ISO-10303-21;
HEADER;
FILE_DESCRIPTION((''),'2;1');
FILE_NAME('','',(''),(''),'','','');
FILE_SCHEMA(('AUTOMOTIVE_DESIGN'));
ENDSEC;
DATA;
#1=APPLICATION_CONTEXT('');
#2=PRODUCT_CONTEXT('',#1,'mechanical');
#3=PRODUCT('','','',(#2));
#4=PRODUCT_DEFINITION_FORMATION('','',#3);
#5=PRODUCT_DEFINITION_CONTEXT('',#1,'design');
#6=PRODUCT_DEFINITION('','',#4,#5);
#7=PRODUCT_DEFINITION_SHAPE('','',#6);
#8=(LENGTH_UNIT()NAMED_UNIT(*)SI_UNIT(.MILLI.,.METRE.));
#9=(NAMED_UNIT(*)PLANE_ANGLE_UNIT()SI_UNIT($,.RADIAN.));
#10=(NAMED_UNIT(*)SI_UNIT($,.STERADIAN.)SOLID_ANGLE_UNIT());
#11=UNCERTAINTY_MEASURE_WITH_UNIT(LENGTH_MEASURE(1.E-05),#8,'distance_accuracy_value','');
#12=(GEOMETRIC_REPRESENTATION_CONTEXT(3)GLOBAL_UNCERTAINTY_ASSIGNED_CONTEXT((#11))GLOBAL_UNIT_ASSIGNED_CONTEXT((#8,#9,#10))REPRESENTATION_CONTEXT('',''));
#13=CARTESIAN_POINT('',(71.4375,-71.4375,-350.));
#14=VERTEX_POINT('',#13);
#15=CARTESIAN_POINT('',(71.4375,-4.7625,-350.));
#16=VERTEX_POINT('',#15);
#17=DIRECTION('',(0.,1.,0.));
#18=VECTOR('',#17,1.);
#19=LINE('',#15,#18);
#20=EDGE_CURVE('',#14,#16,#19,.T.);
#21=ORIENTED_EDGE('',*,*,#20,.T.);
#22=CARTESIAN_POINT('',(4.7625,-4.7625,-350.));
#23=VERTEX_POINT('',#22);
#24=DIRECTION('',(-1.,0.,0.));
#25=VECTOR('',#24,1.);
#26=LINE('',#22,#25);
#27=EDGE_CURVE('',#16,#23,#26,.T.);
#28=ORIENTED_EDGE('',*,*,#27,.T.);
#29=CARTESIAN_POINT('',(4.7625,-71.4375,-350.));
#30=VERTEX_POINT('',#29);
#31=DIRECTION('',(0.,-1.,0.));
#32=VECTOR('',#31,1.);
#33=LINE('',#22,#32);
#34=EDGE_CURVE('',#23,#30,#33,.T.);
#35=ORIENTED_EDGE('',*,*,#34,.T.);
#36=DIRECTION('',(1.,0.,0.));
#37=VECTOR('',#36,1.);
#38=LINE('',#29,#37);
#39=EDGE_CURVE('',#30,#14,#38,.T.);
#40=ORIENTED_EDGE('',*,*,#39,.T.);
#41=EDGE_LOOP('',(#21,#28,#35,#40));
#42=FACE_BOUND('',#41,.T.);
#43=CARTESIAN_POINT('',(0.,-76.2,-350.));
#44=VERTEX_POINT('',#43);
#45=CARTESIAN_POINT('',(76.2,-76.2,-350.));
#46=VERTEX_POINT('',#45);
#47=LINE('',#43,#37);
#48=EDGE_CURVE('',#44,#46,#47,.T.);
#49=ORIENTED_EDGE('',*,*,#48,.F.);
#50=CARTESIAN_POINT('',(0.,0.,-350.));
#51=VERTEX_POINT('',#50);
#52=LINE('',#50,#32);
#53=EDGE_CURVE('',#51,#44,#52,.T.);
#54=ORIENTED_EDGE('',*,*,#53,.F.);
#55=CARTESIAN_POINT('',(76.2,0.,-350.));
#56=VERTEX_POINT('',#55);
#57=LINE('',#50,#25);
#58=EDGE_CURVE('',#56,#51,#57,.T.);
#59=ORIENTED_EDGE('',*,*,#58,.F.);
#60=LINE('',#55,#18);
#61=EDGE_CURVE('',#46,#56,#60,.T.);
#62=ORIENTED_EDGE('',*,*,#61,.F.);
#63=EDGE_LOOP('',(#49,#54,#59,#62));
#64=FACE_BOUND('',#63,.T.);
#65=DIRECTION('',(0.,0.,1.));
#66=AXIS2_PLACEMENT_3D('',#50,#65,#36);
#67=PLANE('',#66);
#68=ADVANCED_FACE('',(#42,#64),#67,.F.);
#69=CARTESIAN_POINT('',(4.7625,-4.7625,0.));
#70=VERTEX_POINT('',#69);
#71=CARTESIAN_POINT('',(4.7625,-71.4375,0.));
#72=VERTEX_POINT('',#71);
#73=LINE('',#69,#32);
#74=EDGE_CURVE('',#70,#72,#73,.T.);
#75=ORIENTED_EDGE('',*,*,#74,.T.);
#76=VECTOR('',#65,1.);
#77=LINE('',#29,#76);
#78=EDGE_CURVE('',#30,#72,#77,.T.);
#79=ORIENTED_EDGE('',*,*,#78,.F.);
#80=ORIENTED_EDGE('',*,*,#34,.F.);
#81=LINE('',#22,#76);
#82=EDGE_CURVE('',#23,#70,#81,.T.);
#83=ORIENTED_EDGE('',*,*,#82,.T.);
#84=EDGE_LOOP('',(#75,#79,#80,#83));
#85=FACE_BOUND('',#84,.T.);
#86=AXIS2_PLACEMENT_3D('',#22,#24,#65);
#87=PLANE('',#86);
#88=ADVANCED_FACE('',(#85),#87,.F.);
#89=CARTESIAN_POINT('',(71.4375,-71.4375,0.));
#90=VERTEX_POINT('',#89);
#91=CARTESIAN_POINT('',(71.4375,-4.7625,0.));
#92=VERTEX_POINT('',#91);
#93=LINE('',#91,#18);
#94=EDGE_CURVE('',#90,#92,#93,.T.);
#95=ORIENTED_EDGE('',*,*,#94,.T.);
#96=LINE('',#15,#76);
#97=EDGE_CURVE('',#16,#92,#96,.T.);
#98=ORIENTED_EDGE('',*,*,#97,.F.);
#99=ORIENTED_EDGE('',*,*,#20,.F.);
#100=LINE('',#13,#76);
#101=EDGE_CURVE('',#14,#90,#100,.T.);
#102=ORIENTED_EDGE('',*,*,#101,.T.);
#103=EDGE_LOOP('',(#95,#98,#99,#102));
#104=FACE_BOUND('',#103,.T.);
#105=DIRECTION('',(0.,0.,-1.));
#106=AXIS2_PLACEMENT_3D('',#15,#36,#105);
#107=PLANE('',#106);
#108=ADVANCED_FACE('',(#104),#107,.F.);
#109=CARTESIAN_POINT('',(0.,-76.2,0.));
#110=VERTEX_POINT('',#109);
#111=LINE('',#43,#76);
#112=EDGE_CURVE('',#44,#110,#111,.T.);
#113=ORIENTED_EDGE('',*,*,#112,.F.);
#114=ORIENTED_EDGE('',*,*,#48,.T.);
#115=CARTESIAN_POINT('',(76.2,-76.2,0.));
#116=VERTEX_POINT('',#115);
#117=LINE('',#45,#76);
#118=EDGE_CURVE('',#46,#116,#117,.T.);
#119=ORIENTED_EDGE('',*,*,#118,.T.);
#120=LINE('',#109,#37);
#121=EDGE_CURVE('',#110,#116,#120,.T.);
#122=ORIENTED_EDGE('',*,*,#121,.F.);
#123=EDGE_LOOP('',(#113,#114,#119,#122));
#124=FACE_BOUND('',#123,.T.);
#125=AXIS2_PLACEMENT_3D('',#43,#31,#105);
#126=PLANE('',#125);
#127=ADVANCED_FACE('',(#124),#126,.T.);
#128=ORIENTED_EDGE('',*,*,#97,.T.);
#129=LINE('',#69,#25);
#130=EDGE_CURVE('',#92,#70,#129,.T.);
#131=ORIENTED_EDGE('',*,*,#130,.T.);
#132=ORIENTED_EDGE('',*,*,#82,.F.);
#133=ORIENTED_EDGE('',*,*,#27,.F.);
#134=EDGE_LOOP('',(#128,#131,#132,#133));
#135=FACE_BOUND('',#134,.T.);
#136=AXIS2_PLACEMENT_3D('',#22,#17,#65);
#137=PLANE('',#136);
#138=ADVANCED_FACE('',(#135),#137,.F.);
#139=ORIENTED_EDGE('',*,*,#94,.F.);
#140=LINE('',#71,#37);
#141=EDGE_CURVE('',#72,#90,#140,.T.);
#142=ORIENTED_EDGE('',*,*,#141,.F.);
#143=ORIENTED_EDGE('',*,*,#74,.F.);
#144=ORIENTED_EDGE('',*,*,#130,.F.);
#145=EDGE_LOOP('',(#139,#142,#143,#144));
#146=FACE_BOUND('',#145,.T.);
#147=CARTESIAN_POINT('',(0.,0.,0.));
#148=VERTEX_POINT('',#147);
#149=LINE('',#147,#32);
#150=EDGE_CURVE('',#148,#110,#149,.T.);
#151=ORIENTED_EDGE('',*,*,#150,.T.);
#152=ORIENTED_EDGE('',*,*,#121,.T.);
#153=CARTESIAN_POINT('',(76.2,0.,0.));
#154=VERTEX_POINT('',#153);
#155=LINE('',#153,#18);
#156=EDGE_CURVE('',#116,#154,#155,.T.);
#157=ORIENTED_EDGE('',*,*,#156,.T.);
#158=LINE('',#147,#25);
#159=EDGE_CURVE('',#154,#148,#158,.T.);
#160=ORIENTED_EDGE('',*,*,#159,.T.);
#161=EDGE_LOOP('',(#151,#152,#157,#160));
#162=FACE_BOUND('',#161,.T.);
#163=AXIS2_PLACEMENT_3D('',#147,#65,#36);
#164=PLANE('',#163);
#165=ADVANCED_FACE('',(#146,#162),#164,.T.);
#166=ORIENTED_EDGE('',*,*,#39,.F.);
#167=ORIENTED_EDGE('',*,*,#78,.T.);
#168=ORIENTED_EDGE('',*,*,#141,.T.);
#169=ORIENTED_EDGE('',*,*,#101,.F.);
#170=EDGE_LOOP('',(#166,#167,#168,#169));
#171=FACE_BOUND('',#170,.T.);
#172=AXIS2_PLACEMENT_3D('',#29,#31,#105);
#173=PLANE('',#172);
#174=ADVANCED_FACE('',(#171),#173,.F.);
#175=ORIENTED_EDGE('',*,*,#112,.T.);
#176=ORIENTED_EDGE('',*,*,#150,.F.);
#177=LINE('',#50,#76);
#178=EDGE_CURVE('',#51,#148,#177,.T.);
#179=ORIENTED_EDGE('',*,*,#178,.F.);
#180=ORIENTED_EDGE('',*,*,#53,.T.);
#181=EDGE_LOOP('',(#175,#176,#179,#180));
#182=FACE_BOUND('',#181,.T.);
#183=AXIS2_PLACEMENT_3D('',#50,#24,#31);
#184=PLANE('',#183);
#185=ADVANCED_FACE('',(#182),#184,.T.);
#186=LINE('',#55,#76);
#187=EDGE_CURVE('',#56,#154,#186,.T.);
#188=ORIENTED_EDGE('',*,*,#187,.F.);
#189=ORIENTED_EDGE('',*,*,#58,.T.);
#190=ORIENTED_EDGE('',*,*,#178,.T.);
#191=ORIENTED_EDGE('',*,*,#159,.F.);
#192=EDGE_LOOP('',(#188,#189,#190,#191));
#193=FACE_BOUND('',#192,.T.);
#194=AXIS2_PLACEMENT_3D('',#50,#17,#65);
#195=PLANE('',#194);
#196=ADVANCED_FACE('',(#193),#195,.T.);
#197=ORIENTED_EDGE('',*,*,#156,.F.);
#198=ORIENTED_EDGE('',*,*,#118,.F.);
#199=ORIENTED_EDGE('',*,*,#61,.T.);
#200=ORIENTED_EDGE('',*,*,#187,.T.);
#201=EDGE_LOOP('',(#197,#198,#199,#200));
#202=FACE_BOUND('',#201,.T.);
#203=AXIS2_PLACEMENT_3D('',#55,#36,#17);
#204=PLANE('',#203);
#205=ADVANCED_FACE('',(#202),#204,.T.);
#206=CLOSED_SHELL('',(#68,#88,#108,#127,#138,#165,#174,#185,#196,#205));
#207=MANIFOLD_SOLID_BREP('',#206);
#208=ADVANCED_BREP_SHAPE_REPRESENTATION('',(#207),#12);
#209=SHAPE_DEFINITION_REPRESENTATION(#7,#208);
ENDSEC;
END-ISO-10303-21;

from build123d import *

# Parameters (mm, degrees)
CROQUIS2_W              = 76.2
CROQUIS2_H              = 76.2
CROQUIS2_W_2            = 66.675
CROQUIS2_H_2            = 66.675
SALIENTE_EXTRUIR1_DEPTH = 350


with BuildPart() as part:
    # Croquis2 → Saliente-Extruir1 (new body)
    with BuildSketch(Plane.XY):
        with Locations((38.1, -38.1)):
            Rectangle(CROQUIS2_W, CROQUIS2_H)
        with Locations((38.1, -38.1)):
            Rectangle(CROQUIS2_W_2, CROQUIS2_H_2, mode=Mode.SUBTRACT)
    extrude(amount=-SALIENTE_EXTRUIR1_DEPTH)


solid = part.part
